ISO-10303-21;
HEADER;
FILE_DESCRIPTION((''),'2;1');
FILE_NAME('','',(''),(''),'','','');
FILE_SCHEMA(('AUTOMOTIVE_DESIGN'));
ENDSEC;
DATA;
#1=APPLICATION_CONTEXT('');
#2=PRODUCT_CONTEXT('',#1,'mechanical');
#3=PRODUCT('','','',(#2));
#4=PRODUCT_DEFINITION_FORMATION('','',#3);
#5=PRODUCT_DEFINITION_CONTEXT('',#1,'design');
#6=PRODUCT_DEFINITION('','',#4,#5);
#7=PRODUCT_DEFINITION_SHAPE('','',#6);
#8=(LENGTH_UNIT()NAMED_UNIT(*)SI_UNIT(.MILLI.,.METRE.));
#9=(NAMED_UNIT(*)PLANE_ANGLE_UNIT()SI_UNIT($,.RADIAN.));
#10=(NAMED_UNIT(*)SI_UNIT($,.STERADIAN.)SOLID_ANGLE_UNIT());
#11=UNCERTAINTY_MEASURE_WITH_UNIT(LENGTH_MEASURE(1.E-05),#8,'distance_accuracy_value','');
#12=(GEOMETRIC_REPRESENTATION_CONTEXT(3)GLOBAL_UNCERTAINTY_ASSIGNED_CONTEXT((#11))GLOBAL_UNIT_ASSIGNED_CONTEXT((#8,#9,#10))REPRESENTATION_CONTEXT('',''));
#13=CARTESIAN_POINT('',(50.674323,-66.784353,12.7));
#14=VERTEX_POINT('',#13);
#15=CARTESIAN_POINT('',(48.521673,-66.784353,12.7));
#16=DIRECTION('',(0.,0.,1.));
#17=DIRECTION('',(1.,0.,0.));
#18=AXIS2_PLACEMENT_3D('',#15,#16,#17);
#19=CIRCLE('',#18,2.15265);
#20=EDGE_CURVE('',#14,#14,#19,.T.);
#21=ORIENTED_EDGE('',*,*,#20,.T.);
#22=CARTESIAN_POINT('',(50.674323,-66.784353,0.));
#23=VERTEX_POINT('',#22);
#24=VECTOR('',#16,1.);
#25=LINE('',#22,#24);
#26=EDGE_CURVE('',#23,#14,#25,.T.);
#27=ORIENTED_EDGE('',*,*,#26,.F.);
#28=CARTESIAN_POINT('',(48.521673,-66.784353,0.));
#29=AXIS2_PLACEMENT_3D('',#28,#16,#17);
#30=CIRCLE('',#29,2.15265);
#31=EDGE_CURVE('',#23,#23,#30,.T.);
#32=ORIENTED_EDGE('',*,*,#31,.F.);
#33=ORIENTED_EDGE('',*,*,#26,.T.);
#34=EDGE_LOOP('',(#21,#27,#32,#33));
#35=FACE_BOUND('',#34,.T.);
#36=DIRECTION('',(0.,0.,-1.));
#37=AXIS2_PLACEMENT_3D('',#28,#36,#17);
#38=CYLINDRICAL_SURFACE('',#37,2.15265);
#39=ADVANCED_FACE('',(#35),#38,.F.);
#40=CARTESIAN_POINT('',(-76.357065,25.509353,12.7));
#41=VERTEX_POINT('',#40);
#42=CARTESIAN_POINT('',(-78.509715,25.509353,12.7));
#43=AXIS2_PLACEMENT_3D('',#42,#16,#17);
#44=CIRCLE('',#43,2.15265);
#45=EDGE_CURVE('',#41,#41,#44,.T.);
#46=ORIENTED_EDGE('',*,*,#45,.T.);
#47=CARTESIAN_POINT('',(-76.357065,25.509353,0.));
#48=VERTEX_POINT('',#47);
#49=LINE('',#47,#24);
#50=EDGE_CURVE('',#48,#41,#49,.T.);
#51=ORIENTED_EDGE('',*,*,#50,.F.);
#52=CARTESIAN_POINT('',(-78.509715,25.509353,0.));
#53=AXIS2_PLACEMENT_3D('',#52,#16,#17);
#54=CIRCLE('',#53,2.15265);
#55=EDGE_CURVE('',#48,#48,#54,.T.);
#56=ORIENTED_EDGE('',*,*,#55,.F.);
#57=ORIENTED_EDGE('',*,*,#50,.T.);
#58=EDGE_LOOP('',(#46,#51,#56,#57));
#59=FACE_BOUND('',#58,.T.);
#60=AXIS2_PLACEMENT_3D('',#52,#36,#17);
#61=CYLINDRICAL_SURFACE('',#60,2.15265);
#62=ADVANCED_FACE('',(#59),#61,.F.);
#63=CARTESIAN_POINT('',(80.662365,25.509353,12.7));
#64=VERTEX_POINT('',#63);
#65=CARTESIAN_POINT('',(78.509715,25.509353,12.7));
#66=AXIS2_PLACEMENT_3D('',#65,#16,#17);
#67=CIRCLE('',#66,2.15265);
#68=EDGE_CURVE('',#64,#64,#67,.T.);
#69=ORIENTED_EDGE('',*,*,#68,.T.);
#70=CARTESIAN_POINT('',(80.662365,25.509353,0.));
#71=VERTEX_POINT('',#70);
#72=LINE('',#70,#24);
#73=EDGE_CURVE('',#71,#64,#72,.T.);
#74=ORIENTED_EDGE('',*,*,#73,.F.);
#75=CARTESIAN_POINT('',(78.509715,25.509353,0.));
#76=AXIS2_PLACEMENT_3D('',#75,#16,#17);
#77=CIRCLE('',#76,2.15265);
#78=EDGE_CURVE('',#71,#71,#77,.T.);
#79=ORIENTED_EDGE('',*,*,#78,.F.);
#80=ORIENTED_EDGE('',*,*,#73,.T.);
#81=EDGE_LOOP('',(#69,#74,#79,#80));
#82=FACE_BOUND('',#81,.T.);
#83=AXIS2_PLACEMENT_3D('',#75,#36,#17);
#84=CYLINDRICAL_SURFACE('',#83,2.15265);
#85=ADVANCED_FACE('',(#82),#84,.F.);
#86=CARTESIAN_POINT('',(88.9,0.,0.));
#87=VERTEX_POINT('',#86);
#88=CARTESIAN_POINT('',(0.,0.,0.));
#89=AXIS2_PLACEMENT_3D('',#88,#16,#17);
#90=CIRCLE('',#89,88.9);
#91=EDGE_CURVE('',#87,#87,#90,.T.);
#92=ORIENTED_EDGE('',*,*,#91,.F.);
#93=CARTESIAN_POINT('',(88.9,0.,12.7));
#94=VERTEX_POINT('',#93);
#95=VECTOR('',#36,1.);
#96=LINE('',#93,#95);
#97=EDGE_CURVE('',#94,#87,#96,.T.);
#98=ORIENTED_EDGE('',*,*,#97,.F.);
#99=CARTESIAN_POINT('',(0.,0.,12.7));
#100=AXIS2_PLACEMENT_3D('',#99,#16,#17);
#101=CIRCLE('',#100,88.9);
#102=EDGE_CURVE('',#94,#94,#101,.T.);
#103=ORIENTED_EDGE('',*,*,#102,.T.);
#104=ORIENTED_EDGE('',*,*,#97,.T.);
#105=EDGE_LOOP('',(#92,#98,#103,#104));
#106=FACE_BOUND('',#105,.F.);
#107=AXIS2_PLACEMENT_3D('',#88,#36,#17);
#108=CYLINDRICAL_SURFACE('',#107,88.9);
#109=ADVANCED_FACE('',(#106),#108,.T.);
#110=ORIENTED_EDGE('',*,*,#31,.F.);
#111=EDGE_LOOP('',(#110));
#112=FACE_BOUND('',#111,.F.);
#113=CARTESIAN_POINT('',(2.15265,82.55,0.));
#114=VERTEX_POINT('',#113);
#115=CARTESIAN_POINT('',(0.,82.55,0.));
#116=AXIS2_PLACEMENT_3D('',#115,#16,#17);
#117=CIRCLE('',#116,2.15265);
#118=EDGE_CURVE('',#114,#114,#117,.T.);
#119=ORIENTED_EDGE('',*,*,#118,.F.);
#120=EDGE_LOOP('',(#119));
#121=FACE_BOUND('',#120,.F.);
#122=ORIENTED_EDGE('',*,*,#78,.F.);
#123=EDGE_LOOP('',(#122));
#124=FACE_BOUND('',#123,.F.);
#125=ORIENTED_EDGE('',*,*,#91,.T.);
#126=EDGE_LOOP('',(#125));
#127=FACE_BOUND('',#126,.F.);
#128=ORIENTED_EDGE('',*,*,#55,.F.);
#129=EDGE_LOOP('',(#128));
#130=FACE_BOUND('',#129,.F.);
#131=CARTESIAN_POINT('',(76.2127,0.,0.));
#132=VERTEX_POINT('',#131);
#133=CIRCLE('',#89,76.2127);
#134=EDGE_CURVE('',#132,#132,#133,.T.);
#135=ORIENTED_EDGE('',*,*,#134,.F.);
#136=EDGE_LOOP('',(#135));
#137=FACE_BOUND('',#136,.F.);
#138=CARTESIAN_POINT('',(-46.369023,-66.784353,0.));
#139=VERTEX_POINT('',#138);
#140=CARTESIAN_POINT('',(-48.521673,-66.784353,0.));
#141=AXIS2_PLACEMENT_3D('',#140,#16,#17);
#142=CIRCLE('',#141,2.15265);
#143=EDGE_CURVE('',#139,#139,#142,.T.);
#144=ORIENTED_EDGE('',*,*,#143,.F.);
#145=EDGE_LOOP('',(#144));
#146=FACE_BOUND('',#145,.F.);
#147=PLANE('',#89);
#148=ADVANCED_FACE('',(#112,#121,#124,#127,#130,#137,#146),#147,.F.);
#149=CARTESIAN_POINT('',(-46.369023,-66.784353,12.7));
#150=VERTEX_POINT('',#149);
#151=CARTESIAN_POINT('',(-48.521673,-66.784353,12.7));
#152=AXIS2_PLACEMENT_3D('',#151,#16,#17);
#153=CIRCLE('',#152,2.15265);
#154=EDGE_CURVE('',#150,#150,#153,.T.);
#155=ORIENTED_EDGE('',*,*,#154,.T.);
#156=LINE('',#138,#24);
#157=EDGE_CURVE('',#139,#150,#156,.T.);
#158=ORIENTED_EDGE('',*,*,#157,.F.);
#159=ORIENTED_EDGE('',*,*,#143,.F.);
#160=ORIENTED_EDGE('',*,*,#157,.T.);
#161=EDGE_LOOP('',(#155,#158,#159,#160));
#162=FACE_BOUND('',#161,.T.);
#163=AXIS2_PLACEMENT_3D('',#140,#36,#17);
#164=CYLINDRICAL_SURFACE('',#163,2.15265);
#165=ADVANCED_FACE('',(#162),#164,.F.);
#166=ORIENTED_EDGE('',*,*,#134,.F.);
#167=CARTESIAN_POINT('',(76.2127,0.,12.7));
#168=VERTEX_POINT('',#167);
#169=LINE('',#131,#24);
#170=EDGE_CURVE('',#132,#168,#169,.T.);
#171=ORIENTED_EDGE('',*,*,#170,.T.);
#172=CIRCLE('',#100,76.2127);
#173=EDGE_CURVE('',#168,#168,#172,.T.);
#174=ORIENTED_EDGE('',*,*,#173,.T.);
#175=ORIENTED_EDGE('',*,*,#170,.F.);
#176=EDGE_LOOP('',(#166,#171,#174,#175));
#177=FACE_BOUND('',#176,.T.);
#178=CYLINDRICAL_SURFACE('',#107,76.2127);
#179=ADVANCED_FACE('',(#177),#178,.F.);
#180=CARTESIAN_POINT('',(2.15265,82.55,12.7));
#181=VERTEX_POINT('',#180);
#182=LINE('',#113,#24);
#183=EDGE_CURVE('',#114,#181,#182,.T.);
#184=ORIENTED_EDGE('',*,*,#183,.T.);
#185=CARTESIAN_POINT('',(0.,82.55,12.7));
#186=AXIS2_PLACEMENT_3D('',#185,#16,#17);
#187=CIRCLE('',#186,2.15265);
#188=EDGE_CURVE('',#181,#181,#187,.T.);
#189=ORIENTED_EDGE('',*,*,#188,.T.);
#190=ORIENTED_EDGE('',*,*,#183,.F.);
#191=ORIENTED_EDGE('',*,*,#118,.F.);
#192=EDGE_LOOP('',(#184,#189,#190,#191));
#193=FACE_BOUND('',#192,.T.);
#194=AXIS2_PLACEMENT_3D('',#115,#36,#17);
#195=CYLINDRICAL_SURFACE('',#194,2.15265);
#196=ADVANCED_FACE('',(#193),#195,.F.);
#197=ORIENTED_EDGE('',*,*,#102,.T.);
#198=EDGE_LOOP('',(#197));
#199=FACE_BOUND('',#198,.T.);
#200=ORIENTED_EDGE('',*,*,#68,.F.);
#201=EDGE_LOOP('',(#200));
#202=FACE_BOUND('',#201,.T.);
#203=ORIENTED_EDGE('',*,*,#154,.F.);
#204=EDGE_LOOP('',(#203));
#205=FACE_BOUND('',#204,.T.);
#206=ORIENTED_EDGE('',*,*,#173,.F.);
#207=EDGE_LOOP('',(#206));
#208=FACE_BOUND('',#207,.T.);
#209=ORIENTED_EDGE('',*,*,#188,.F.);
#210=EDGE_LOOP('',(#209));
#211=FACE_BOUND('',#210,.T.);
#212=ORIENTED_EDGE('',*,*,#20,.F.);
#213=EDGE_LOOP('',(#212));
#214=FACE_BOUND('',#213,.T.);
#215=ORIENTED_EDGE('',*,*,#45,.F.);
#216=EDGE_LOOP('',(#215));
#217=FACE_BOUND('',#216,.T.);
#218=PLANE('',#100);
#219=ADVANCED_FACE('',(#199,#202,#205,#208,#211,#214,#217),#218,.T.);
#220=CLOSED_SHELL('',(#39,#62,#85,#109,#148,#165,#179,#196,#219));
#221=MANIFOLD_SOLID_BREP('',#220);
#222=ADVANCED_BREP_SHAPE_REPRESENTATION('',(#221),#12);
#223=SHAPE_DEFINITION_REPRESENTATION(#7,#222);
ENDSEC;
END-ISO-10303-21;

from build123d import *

# Parameters (mm, degrees)
F0_R     = 88.9
F0_R_2   = 2.15265
F0_R_3   = 76.2127
F1_DEPTH = 12.7
F2_DEPTH = 6.35


with BuildPart() as f1:
    # F0 (on Top) → F1 (new body)
    with BuildSketch(Plane.XY):
        Circle(F0_R)
        with Locations((-48.521673, -66.784353)):
            Circle(F0_R_2, mode=Mode.SUBTRACT)
        with Locations((48.521673, -66.784353)):
            Circle(F0_R_2, mode=Mode.SUBTRACT)
        with Locations((-78.509715, 25.509353)):
            Circle(F0_R_2, mode=Mode.SUBTRACT)
        Circle(F0_R_3, mode=Mode.SUBTRACT)
        with Locations((78.509715, 25.509353)):
            Circle(F0_R_2, mode=Mode.SUBTRACT)
        with Locations((0, 82.55)):
            Circle(F0_R_2, mode=Mode.SUBTRACT)
    extrude(amount=F1_DEPTH)

    # F0 (on Top) → F2 (join)
    with BuildSketch(Plane.XY):
        Circle(F0_R)
        with Locations((-48.521673, -66.784353)):
            Circle(F0_R_2, mode=Mode.SUBTRACT)
        with Locations((48.521673, -66.784353)):
            Circle(F0_R_2, mode=Mode.SUBTRACT)
        with Locations((-78.509715, 25.509353)):
            Circle(F0_R_2, mode=Mode.SUBTRACT)
        Circle(F0_R_3, mode=Mode.SUBTRACT)
        with Locations((78.509715, 25.509353)):
            Circle(F0_R_2, mode=Mode.SUBTRACT)
        with Locations((0, 82.55)):
            Circle(F0_R_2, mode=Mode.SUBTRACT)
    extrude(amount=F2_DEPTH)


solid = f1.part
